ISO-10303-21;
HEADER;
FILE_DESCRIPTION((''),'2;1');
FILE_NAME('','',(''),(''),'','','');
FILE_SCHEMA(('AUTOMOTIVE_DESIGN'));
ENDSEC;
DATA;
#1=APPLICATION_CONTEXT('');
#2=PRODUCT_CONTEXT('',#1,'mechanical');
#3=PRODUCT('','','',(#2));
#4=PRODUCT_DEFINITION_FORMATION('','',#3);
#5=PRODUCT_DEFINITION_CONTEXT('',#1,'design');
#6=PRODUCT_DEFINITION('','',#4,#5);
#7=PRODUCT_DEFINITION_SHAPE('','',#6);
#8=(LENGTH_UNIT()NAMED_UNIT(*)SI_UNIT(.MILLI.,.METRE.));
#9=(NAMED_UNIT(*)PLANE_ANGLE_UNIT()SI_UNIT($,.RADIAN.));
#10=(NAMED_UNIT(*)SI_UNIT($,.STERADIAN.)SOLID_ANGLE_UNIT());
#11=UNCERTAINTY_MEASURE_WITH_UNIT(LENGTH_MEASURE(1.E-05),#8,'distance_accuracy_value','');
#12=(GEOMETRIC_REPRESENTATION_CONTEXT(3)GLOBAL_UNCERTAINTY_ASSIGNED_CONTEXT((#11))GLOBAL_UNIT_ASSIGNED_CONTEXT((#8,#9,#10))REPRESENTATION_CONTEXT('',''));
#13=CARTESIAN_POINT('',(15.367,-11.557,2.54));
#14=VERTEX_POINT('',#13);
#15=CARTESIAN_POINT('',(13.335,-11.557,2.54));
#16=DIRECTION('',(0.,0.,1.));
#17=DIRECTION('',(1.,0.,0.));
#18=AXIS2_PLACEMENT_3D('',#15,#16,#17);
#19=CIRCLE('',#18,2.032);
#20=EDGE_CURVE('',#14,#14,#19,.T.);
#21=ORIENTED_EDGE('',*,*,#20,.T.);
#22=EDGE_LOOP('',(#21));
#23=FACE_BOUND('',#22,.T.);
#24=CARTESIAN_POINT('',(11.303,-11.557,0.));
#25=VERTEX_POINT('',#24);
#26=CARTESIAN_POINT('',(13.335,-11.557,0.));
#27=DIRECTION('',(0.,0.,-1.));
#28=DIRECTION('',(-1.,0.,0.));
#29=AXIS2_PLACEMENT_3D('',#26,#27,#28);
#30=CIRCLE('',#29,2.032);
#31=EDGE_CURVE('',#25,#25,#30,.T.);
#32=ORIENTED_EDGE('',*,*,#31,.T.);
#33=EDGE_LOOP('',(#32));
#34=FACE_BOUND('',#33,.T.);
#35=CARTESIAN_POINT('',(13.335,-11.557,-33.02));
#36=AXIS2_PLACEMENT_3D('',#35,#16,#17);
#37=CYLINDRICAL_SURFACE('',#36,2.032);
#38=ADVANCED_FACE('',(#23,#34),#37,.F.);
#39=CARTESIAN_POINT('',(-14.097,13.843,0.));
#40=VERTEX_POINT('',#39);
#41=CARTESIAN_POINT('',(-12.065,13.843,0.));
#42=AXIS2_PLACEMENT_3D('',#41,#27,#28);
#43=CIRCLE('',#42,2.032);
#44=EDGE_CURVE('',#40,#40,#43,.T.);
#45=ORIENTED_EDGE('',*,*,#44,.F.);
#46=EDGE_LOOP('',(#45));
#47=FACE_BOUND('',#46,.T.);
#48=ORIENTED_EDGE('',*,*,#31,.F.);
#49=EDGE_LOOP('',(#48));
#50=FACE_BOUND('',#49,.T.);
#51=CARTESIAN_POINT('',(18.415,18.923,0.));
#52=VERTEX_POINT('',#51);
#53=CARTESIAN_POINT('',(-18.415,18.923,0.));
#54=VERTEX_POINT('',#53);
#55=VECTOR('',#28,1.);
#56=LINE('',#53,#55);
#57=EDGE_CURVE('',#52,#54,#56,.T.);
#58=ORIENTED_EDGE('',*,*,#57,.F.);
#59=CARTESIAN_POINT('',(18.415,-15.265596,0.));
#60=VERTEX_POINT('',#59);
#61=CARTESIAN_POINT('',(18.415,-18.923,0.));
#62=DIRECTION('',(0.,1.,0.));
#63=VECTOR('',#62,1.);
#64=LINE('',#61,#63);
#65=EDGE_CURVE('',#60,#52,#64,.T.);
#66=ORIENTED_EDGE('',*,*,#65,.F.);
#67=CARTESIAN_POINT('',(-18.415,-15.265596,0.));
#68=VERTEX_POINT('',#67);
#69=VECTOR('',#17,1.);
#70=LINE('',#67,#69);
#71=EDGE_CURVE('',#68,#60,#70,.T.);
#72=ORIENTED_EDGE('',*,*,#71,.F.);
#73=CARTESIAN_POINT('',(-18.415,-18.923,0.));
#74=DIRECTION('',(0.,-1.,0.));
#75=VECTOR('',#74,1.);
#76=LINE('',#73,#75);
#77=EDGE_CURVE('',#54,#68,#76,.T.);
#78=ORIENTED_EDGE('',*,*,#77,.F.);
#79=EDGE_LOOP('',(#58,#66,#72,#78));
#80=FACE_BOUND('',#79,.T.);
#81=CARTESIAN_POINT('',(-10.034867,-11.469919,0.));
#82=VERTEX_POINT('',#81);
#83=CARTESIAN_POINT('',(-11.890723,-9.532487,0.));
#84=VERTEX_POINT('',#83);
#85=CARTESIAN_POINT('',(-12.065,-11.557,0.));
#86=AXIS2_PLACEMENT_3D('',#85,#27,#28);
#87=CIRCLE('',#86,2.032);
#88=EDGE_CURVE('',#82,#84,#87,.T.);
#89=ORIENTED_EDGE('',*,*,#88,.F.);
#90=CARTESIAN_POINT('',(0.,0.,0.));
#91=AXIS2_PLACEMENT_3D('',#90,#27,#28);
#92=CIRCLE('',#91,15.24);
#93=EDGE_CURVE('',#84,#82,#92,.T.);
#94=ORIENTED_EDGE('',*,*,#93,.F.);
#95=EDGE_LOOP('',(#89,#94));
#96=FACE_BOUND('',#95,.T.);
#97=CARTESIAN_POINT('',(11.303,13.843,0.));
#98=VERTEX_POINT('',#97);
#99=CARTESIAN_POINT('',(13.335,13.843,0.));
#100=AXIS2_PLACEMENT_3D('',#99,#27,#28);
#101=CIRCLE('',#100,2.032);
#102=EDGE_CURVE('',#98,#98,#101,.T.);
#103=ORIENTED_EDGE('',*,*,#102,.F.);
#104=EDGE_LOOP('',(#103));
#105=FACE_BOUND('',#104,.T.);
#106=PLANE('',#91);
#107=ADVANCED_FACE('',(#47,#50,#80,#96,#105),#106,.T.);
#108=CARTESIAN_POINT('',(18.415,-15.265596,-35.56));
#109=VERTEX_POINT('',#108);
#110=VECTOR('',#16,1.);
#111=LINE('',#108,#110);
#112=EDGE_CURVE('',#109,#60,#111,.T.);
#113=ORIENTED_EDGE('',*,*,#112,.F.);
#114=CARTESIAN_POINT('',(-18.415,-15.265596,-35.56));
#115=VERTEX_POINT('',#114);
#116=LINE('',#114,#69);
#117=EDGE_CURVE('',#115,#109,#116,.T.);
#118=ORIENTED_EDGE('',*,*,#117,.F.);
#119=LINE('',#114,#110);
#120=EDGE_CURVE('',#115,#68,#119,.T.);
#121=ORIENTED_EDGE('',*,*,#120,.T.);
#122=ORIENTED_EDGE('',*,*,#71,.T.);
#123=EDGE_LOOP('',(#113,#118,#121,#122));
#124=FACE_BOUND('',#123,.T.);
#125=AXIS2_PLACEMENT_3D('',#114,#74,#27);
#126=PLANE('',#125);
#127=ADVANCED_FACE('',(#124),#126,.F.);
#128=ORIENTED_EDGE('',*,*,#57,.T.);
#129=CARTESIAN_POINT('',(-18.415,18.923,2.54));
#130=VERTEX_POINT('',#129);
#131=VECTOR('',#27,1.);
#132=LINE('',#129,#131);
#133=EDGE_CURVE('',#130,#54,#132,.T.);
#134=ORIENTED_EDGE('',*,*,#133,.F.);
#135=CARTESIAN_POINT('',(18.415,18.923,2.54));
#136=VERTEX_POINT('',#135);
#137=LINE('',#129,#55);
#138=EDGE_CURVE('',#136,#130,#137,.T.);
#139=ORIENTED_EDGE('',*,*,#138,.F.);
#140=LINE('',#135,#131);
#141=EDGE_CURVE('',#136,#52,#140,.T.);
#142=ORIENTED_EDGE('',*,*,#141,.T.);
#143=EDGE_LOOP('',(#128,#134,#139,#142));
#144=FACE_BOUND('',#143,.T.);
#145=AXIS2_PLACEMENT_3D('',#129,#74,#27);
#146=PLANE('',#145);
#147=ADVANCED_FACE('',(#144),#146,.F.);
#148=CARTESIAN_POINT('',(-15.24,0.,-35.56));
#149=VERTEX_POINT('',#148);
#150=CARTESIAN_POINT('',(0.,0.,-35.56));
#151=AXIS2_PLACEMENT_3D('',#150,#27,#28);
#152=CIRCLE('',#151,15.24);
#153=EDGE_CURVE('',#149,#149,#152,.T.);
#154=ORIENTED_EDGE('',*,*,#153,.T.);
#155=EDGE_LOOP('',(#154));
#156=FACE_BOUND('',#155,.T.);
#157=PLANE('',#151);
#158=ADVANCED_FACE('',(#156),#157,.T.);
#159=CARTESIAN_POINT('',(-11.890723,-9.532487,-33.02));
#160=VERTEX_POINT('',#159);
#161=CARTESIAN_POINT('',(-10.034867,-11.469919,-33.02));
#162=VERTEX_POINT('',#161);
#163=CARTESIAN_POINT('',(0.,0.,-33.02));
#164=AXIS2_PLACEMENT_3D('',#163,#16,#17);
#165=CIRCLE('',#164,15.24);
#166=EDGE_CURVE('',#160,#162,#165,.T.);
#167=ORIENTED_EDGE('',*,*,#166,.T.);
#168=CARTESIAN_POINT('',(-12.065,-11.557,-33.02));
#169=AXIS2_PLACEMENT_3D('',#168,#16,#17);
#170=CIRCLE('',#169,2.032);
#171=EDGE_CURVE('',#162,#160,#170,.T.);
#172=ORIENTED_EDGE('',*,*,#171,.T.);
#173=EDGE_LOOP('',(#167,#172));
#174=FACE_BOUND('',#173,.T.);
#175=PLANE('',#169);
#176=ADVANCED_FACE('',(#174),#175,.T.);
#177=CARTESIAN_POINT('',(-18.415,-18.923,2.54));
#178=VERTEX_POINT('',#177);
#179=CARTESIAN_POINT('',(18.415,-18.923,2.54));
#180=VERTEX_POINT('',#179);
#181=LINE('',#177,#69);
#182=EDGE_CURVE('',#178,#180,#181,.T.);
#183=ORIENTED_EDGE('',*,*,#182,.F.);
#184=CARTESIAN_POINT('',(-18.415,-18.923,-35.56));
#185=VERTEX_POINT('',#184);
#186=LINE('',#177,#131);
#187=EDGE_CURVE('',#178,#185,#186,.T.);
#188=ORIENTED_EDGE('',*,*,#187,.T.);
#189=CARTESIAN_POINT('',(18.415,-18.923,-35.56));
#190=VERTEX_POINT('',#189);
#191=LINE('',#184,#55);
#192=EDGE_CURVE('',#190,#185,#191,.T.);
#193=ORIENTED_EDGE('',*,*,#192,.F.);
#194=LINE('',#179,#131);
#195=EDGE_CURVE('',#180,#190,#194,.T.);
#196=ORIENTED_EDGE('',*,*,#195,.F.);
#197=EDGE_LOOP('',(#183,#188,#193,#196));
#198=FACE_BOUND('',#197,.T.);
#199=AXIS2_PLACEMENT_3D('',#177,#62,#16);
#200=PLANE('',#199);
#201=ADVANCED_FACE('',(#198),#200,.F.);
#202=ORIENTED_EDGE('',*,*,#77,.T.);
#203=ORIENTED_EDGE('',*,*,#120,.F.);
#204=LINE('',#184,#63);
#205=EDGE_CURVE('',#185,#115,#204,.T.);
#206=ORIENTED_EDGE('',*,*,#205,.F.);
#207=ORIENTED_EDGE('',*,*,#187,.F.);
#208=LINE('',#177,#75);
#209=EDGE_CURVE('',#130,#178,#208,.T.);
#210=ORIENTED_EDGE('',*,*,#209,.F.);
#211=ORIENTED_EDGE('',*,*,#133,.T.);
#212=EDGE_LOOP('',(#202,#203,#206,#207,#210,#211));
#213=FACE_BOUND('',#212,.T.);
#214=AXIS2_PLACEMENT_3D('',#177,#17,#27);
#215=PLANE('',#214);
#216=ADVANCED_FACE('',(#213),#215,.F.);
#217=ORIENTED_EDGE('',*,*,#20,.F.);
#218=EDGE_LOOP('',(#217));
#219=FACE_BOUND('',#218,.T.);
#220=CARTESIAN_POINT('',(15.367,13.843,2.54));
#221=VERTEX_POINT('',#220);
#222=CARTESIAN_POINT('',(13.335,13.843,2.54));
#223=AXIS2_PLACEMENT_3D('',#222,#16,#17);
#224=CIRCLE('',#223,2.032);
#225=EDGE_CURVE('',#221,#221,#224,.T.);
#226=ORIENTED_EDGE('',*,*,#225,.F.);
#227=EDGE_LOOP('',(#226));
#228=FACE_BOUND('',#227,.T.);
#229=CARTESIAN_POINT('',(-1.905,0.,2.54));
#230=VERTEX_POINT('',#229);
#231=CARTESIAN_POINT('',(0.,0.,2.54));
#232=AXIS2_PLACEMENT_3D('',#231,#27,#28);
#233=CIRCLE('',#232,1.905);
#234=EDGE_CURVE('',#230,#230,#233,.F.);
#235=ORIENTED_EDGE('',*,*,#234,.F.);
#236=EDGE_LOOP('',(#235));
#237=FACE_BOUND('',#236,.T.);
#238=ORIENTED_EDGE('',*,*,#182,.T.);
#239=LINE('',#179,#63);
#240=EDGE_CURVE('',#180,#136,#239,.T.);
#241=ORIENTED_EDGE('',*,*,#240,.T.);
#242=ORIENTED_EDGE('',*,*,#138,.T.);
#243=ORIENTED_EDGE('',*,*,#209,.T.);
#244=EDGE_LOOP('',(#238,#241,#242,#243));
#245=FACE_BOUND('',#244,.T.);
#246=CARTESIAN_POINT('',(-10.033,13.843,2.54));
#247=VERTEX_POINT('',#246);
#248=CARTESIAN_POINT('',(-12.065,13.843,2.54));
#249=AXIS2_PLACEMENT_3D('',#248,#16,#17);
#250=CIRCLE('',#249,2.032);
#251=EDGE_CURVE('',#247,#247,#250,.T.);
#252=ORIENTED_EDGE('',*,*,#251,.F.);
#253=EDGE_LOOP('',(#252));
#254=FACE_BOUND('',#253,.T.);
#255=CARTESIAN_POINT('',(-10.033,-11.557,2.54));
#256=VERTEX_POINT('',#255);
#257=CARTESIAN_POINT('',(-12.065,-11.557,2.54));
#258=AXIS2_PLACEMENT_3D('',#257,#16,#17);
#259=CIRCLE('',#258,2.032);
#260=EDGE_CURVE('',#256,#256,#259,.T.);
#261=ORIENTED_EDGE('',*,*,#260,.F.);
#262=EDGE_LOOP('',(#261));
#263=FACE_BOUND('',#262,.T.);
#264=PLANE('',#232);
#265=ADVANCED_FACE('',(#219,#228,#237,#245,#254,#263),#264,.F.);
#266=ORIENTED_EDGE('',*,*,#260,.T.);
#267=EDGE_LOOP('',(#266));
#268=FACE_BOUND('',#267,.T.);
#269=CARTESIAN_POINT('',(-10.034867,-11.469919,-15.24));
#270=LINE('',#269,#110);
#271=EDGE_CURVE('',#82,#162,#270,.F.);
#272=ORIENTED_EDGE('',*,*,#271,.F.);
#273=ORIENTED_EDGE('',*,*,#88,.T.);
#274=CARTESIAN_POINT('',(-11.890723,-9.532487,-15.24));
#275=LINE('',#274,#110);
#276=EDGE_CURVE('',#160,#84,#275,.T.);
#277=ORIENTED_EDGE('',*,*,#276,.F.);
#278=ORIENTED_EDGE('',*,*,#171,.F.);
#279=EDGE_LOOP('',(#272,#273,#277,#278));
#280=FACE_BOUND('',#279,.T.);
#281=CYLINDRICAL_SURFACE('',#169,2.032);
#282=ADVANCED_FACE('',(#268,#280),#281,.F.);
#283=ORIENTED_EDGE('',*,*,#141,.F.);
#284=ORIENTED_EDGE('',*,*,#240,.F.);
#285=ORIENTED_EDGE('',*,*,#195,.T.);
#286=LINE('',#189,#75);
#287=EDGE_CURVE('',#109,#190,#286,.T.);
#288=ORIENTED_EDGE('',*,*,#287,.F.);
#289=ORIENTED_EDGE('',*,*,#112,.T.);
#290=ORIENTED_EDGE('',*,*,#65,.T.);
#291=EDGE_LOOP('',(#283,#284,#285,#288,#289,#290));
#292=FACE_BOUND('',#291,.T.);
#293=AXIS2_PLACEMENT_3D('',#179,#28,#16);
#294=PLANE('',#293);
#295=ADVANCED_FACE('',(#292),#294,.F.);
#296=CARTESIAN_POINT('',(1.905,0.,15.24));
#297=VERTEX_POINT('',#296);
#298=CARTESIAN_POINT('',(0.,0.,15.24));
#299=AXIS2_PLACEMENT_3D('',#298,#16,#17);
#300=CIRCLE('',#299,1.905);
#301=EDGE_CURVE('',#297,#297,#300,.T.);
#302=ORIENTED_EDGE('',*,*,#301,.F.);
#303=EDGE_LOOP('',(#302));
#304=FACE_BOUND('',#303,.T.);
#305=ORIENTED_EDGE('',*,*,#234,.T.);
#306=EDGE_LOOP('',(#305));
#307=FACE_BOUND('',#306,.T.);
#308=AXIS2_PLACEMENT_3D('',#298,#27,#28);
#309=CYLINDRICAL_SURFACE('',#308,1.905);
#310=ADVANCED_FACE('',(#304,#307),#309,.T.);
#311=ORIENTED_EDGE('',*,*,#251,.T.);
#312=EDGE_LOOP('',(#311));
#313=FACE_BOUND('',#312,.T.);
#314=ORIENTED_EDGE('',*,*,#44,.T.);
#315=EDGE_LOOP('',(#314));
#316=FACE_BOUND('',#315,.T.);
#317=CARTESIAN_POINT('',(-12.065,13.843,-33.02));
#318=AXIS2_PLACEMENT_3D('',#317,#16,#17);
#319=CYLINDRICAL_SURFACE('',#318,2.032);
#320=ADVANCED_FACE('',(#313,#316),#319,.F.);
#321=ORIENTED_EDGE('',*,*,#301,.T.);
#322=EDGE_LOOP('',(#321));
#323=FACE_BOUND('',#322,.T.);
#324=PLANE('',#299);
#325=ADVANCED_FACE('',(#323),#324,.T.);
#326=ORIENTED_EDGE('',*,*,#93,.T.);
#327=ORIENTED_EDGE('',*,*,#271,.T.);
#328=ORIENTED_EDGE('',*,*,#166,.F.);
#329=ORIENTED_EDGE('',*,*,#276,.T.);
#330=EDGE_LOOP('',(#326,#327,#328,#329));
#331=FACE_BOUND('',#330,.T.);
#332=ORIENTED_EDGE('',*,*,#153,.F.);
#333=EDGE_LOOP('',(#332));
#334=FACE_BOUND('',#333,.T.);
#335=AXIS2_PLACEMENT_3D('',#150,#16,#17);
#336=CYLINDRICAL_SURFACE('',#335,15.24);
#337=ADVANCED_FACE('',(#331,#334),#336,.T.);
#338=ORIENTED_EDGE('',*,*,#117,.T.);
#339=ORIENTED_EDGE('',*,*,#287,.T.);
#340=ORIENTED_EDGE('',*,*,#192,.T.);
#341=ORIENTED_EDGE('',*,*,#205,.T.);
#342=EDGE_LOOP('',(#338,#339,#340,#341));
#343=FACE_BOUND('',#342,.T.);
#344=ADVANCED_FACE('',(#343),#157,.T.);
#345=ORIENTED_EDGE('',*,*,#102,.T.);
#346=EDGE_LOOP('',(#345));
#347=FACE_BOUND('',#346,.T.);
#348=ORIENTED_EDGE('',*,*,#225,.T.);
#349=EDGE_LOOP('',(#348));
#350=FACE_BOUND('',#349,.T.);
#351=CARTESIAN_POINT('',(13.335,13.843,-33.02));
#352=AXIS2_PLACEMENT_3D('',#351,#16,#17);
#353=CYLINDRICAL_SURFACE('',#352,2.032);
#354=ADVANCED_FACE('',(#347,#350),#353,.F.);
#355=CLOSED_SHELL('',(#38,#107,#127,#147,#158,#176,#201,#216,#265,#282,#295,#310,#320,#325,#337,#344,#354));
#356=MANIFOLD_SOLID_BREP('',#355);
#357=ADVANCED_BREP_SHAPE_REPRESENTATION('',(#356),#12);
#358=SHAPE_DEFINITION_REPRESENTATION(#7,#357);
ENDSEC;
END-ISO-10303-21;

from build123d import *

# Parameters (mm, degrees)
SKETCH1_W           = 36.83
SKETCH1_H           = 37.846
BOSS_EXTRUDE1_DEPTH = 2.54
SKETCH2_R           = 1.905
BOSS_EXTRUDE2_DEPTH = 12.7
SKETCH3_R           = 15.24
BOSS_EXTRUDE3_DEPTH = 35.56
SKETCH4_W           = 36.83
SKETCH4_H           = 3.657403599
BOSS_EXTRUDE4_DEPTH = 35.56
SKETCH5_R           = 2.032
CUT_EXTRUDE1_DEPTH  = 35.56


with BuildPart() as part:
    # Sketch1 → Boss-Extrude1 (new body)
    with BuildSketch(Plane.XY):
        Rectangle(SKETCH1_W, SKETCH1_H)
    extrude(amount=BOSS_EXTRUDE1_DEPTH)

    # Sketch2 → Boss-Extrude2 (add)
    with BuildSketch(Plane.XY.offset(2.54)):
        with Locations(Location((0, 0, 0), (0, 0, 180))):  # turned: the seam where the file's is
            Circle(SKETCH2_R)
    extrude(amount=BOSS_EXTRUDE2_DEPTH)

    # Sketch3 → Boss-Extrude3 (add)
    with BuildSketch(Plane(origin=(0, 0, 0), x_dir=(-1, 0, 0), z_dir=(0, 0, -1))):
        Circle(SKETCH3_R)
    extrude(amount=BOSS_EXTRUDE3_DEPTH)

    # Sketch4 → Boss-Extrude4 (add)
    with BuildSketch(Plane(origin=(0, 0, 0), x_dir=(-1, 0, 0), z_dir=(0, 0, -1))):
        with Locations((0, -17.094298201)):
            Rectangle(SKETCH4_W, SKETCH4_H)
    extrude(amount=BOSS_EXTRUDE4_DEPTH)

    # Sketch5 → Cut-Extrude1 (cut)
    with BuildSketch(Plane.XY.offset(2.54)):
        with Locations((13.335, 13.843)):
            Circle(SKETCH5_R)
        with Locations((-12.065, 13.843)):
            Circle(SKETCH5_R)
        with Locations((-12.065, -11.557)):
            Circle(SKETCH5_R)
        with Locations((13.335, -11.557)):
            Circle(SKETCH5_R)
    extrude(amount=-CUT_EXTRUDE1_DEPTH, mode=Mode.SUBTRACT)


solid = part.part
